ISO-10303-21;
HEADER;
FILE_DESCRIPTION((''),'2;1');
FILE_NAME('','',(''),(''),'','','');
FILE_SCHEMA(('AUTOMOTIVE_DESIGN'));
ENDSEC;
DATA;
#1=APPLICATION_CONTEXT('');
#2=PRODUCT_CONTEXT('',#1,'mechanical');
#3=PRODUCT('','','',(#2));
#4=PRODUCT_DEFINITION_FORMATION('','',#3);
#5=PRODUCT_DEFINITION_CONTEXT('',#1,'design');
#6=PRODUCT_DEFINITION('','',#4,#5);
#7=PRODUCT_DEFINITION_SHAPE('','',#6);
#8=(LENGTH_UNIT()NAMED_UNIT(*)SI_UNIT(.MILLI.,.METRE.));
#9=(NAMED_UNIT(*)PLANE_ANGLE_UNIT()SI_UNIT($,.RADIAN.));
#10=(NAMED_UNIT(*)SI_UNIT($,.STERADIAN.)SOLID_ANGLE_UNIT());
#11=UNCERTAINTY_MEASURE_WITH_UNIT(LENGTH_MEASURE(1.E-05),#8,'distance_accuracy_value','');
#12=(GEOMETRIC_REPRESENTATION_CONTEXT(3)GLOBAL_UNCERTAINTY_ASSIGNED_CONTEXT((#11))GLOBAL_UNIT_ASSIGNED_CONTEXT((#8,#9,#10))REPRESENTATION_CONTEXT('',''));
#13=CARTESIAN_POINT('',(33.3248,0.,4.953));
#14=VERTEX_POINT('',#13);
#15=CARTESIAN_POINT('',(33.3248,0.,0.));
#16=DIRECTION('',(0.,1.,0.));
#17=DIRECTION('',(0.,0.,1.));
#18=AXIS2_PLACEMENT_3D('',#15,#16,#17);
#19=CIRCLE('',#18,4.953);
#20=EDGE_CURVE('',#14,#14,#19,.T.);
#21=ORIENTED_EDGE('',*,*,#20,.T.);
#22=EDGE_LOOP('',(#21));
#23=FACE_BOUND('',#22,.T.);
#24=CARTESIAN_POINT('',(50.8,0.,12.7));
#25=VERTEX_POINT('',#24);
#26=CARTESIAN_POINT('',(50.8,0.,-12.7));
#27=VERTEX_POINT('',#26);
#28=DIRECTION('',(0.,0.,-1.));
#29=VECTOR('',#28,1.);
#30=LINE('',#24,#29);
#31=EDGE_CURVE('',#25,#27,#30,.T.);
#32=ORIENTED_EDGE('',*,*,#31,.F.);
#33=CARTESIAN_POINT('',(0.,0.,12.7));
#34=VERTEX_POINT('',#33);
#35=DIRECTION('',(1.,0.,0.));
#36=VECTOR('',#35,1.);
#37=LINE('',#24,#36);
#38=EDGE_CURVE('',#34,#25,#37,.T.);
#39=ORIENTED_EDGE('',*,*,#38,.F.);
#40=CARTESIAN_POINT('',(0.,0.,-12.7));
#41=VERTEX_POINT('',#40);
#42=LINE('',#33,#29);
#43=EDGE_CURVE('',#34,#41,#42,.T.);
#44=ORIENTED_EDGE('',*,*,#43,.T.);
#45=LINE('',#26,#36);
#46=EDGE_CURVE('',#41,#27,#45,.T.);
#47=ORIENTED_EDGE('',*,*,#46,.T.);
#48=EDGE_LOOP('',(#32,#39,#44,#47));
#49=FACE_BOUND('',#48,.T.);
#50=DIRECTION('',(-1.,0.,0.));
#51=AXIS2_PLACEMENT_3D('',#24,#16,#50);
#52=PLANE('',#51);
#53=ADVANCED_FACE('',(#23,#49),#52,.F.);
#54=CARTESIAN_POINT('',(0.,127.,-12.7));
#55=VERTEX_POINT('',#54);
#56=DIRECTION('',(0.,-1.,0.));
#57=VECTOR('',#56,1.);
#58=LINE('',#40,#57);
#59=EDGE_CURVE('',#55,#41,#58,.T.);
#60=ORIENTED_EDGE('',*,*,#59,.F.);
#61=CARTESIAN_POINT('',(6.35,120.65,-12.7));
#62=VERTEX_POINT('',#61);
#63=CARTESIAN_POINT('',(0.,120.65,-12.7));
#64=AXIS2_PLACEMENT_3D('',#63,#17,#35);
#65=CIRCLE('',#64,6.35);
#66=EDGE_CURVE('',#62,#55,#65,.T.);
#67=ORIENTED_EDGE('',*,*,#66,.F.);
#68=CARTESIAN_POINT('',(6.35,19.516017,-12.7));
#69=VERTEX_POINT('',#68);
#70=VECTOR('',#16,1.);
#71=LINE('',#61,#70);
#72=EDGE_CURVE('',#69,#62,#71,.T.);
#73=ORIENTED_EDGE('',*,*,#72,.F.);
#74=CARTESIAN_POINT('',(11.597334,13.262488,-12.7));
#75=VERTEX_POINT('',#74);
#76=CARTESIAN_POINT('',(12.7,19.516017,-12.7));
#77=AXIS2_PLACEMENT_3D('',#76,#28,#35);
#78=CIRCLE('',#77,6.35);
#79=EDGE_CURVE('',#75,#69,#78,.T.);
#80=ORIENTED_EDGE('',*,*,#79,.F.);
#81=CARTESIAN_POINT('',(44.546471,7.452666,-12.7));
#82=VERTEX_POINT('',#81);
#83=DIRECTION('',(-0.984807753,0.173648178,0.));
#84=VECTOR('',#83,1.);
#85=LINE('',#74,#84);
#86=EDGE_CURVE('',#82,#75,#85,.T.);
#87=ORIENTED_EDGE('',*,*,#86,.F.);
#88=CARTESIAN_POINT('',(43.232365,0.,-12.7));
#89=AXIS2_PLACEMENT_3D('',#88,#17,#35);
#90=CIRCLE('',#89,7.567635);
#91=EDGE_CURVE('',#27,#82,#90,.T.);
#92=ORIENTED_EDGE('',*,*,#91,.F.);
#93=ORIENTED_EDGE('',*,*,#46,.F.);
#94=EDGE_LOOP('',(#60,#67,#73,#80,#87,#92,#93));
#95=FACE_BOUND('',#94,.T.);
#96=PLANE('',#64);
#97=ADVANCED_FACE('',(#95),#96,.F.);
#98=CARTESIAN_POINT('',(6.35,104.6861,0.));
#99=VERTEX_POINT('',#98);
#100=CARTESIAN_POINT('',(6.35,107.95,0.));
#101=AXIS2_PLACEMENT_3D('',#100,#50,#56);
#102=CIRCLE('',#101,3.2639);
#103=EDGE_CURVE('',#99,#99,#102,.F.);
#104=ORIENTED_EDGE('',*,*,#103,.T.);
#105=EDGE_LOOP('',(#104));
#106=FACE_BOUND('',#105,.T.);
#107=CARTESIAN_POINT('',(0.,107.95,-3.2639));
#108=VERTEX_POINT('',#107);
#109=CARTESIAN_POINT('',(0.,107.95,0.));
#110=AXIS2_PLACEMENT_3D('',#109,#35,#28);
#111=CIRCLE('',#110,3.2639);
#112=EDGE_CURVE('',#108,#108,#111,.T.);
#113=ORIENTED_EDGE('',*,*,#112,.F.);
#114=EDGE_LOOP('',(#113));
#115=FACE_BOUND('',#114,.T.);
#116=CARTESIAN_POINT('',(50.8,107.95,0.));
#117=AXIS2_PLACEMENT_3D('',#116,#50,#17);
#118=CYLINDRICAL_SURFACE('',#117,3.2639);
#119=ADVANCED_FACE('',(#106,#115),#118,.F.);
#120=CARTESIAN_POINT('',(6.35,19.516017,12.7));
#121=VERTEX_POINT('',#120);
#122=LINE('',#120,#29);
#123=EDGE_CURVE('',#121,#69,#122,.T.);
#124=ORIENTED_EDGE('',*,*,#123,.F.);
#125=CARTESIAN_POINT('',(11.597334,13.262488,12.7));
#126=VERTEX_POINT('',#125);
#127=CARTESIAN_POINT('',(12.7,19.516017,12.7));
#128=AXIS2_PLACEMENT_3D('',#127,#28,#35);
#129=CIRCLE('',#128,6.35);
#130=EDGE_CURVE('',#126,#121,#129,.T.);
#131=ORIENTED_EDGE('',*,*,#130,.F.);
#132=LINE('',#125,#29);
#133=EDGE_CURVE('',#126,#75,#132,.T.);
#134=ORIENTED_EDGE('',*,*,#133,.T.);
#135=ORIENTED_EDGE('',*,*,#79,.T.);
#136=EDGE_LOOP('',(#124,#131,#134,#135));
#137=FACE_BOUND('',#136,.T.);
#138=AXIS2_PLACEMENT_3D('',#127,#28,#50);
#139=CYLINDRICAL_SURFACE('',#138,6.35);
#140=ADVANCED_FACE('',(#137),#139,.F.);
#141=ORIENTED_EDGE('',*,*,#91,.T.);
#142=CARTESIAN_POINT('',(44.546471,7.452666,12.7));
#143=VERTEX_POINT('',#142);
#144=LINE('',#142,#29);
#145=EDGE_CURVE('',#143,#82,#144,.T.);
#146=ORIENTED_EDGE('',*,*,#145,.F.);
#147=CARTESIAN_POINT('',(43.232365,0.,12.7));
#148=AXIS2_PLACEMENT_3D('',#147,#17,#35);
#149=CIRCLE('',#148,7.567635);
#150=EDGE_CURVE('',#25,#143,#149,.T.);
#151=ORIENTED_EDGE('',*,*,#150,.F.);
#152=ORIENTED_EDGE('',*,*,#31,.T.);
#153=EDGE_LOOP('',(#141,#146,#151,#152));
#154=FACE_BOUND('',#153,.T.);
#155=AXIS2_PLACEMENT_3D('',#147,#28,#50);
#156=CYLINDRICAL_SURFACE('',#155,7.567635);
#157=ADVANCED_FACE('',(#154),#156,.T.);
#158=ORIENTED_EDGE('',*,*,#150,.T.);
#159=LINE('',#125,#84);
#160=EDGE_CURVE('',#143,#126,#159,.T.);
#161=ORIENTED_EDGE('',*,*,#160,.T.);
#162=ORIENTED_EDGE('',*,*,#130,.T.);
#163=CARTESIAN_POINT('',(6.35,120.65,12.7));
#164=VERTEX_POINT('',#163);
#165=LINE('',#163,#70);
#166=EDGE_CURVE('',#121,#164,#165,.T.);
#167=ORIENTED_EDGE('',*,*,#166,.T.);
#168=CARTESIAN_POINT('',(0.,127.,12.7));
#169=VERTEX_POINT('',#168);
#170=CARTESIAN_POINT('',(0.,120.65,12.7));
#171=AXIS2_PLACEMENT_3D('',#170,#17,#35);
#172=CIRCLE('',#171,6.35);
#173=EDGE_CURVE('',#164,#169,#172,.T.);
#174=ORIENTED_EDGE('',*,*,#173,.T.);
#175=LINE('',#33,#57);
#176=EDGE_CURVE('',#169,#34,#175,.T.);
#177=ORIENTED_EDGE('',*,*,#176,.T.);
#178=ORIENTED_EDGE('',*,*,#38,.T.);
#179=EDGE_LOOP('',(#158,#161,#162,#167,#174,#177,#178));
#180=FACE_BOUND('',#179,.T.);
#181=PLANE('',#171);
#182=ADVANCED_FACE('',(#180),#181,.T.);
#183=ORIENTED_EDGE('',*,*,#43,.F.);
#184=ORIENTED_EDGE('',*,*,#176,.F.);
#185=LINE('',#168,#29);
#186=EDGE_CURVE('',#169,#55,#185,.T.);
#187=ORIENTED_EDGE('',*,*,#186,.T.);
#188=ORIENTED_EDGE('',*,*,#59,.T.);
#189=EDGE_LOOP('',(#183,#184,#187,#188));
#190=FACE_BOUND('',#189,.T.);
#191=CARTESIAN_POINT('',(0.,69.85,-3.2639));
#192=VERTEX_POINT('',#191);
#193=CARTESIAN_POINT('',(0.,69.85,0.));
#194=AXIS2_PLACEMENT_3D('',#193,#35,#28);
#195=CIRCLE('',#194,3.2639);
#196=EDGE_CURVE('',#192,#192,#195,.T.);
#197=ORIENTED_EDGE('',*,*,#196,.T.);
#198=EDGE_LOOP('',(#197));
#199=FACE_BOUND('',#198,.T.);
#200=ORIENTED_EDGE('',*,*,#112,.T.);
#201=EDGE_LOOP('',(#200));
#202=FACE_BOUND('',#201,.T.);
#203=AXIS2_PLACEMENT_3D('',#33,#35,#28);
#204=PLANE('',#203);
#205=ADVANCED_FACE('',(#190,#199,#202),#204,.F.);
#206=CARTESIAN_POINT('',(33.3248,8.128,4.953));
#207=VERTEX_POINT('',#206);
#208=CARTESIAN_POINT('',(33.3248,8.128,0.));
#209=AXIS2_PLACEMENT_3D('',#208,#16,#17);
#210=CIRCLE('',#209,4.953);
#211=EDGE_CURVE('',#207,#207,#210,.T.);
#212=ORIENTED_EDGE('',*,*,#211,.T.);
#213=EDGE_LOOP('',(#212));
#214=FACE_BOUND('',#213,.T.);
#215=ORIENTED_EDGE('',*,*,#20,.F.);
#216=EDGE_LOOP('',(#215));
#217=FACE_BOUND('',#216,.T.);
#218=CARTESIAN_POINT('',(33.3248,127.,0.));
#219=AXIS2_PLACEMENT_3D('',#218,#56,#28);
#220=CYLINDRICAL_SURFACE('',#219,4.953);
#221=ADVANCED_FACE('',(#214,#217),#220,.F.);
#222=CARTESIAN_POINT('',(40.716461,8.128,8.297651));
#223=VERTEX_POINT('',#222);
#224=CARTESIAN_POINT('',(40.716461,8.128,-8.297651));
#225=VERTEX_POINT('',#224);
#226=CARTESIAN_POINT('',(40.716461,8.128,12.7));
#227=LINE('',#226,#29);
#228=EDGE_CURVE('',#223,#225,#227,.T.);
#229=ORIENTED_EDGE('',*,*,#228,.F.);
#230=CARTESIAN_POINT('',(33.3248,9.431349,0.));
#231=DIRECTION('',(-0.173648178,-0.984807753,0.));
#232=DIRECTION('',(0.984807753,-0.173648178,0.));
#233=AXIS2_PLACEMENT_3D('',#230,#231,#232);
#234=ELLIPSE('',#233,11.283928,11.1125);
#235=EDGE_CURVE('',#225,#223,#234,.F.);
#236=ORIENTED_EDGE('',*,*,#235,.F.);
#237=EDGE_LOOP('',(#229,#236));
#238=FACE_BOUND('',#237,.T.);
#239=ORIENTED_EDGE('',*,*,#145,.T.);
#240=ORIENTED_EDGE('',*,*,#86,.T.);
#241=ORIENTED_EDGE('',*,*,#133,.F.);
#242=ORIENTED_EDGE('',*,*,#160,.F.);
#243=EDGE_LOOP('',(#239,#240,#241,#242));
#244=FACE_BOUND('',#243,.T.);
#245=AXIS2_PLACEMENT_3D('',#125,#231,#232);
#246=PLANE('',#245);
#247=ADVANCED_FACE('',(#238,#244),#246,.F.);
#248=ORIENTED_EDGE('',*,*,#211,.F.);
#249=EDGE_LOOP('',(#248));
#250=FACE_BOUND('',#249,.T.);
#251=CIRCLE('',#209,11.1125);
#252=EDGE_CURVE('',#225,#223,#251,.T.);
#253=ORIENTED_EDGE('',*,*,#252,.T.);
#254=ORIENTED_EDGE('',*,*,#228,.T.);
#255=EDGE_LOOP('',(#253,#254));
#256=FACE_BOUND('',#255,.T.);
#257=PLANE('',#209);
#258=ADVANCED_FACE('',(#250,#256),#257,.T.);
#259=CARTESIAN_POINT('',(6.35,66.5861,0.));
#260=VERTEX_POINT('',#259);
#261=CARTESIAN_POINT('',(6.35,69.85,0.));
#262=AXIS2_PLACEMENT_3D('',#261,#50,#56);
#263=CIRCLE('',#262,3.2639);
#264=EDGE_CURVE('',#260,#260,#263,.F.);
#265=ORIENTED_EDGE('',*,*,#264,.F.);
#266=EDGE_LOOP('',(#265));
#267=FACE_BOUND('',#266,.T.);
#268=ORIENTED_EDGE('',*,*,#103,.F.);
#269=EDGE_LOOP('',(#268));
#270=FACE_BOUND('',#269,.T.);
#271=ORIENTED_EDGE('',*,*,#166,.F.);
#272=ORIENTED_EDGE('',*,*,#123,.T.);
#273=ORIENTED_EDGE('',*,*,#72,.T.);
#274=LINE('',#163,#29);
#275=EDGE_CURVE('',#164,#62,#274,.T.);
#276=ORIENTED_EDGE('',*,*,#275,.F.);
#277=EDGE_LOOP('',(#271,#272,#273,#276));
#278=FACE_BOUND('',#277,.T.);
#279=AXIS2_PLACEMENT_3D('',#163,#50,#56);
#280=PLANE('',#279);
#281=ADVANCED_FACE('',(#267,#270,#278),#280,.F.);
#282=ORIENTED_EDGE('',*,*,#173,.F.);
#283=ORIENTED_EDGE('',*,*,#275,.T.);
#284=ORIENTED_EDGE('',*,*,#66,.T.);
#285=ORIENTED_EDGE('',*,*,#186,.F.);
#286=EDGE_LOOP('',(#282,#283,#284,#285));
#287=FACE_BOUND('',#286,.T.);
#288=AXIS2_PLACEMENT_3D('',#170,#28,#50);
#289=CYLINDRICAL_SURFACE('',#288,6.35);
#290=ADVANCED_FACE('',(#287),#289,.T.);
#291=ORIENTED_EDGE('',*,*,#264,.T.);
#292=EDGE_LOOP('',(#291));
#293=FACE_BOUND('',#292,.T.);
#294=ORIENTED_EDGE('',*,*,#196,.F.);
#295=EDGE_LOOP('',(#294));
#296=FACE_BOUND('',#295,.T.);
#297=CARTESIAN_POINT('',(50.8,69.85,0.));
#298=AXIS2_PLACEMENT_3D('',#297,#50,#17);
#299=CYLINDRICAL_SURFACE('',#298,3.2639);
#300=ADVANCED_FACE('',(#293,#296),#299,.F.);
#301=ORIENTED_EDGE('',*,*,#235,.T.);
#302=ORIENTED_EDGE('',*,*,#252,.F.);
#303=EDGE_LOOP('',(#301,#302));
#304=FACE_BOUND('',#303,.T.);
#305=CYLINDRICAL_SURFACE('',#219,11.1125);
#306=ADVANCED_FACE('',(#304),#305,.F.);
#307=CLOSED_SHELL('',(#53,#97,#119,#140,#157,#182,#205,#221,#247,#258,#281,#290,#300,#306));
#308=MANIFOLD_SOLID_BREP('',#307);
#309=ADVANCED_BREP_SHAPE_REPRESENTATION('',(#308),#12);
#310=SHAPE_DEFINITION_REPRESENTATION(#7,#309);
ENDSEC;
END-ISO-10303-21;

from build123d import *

# Parameters (mm, degrees)
BOSS_EXTRUDE1_DEPTH = 12.7
SKETCH2_R           = 4.953
CUT_EXTRUDE1_DEPTH  = 138.371503595
CUT_EXTRUDE2_START  = 8.128
SKETCH3_R           = 11.1125
CUT_EXTRUDE2_DEPTH  = 130.243503595
SKETCH4_R           = 3.2639
CUT_EXTRUDE3_DEPTH  = 138.371503595


with BuildPart() as part:
    # Sketch1 → Boss-Extrude1 (new, symmetric)
    with BuildSketch(Plane.XY):
        with BuildLine():
            Line((0, 0), (0, 127))
            ThreePointArc((0, 127), (4.490128061, 125.140128061), (6.35, 120.65))
            Line((6.35, 120.65), (6.35, 19.51601695))
            ThreePointArc((6.35, 19.51601695), (7.835617786, 15.434315629), (11.597334072, 13.262487719))
            Line((11.597334072, 13.262487719), (44.546470768, 7.452665928))
            ThreePointArc((44.546470768, 7.452665928), (49.029509666, 4.864382214), (50.8, 0))
            Line((50.8, 0), (0, 0))
        make_face()
    extrude(amount=BOSS_EXTRUDE1_DEPTH, both=True)

    # Sketch2 → Cut-Extrude1 (cut, through all)
    with BuildSketch(Plane(origin=(0, 0, 0), x_dir=(1, 0, 0), z_dir=(0, 1, 0))):
        with Locations((33.3248, 0)):
            Circle(SKETCH2_R)
    extrude(amount=CUT_EXTRUDE1_DEPTH, mode=Mode.SUBTRACT)

    # Sketch3 → Cut-Extrude2 (cut, through all)
    with BuildSketch(Plane(origin=(0, 0, 0), x_dir=(1, 0, 0), z_dir=(0, 1, 0)).offset(CUT_EXTRUDE2_START)):
        with Locations((33.3248, 0)):
            Circle(SKETCH3_R)
    extrude(amount=CUT_EXTRUDE2_DEPTH, mode=Mode.SUBTRACT)

    # Sketch4 → Cut-Extrude3 (cut, through all)
    with BuildSketch(Plane(origin=(0, 0, 0), x_dir=(0, 0, -1), z_dir=(1, 0, 0))):
        with Locations(Location((0, 69.85, 0), (0, 0, 270))):
            Circle(SKETCH4_R)
        with Locations(Location((0, 107.95, 0), (0, 0, 270))):
            Circle(SKETCH4_R)
    extrude(amount=CUT_EXTRUDE3_DEPTH, mode=Mode.SUBTRACT)


solid = part.part
